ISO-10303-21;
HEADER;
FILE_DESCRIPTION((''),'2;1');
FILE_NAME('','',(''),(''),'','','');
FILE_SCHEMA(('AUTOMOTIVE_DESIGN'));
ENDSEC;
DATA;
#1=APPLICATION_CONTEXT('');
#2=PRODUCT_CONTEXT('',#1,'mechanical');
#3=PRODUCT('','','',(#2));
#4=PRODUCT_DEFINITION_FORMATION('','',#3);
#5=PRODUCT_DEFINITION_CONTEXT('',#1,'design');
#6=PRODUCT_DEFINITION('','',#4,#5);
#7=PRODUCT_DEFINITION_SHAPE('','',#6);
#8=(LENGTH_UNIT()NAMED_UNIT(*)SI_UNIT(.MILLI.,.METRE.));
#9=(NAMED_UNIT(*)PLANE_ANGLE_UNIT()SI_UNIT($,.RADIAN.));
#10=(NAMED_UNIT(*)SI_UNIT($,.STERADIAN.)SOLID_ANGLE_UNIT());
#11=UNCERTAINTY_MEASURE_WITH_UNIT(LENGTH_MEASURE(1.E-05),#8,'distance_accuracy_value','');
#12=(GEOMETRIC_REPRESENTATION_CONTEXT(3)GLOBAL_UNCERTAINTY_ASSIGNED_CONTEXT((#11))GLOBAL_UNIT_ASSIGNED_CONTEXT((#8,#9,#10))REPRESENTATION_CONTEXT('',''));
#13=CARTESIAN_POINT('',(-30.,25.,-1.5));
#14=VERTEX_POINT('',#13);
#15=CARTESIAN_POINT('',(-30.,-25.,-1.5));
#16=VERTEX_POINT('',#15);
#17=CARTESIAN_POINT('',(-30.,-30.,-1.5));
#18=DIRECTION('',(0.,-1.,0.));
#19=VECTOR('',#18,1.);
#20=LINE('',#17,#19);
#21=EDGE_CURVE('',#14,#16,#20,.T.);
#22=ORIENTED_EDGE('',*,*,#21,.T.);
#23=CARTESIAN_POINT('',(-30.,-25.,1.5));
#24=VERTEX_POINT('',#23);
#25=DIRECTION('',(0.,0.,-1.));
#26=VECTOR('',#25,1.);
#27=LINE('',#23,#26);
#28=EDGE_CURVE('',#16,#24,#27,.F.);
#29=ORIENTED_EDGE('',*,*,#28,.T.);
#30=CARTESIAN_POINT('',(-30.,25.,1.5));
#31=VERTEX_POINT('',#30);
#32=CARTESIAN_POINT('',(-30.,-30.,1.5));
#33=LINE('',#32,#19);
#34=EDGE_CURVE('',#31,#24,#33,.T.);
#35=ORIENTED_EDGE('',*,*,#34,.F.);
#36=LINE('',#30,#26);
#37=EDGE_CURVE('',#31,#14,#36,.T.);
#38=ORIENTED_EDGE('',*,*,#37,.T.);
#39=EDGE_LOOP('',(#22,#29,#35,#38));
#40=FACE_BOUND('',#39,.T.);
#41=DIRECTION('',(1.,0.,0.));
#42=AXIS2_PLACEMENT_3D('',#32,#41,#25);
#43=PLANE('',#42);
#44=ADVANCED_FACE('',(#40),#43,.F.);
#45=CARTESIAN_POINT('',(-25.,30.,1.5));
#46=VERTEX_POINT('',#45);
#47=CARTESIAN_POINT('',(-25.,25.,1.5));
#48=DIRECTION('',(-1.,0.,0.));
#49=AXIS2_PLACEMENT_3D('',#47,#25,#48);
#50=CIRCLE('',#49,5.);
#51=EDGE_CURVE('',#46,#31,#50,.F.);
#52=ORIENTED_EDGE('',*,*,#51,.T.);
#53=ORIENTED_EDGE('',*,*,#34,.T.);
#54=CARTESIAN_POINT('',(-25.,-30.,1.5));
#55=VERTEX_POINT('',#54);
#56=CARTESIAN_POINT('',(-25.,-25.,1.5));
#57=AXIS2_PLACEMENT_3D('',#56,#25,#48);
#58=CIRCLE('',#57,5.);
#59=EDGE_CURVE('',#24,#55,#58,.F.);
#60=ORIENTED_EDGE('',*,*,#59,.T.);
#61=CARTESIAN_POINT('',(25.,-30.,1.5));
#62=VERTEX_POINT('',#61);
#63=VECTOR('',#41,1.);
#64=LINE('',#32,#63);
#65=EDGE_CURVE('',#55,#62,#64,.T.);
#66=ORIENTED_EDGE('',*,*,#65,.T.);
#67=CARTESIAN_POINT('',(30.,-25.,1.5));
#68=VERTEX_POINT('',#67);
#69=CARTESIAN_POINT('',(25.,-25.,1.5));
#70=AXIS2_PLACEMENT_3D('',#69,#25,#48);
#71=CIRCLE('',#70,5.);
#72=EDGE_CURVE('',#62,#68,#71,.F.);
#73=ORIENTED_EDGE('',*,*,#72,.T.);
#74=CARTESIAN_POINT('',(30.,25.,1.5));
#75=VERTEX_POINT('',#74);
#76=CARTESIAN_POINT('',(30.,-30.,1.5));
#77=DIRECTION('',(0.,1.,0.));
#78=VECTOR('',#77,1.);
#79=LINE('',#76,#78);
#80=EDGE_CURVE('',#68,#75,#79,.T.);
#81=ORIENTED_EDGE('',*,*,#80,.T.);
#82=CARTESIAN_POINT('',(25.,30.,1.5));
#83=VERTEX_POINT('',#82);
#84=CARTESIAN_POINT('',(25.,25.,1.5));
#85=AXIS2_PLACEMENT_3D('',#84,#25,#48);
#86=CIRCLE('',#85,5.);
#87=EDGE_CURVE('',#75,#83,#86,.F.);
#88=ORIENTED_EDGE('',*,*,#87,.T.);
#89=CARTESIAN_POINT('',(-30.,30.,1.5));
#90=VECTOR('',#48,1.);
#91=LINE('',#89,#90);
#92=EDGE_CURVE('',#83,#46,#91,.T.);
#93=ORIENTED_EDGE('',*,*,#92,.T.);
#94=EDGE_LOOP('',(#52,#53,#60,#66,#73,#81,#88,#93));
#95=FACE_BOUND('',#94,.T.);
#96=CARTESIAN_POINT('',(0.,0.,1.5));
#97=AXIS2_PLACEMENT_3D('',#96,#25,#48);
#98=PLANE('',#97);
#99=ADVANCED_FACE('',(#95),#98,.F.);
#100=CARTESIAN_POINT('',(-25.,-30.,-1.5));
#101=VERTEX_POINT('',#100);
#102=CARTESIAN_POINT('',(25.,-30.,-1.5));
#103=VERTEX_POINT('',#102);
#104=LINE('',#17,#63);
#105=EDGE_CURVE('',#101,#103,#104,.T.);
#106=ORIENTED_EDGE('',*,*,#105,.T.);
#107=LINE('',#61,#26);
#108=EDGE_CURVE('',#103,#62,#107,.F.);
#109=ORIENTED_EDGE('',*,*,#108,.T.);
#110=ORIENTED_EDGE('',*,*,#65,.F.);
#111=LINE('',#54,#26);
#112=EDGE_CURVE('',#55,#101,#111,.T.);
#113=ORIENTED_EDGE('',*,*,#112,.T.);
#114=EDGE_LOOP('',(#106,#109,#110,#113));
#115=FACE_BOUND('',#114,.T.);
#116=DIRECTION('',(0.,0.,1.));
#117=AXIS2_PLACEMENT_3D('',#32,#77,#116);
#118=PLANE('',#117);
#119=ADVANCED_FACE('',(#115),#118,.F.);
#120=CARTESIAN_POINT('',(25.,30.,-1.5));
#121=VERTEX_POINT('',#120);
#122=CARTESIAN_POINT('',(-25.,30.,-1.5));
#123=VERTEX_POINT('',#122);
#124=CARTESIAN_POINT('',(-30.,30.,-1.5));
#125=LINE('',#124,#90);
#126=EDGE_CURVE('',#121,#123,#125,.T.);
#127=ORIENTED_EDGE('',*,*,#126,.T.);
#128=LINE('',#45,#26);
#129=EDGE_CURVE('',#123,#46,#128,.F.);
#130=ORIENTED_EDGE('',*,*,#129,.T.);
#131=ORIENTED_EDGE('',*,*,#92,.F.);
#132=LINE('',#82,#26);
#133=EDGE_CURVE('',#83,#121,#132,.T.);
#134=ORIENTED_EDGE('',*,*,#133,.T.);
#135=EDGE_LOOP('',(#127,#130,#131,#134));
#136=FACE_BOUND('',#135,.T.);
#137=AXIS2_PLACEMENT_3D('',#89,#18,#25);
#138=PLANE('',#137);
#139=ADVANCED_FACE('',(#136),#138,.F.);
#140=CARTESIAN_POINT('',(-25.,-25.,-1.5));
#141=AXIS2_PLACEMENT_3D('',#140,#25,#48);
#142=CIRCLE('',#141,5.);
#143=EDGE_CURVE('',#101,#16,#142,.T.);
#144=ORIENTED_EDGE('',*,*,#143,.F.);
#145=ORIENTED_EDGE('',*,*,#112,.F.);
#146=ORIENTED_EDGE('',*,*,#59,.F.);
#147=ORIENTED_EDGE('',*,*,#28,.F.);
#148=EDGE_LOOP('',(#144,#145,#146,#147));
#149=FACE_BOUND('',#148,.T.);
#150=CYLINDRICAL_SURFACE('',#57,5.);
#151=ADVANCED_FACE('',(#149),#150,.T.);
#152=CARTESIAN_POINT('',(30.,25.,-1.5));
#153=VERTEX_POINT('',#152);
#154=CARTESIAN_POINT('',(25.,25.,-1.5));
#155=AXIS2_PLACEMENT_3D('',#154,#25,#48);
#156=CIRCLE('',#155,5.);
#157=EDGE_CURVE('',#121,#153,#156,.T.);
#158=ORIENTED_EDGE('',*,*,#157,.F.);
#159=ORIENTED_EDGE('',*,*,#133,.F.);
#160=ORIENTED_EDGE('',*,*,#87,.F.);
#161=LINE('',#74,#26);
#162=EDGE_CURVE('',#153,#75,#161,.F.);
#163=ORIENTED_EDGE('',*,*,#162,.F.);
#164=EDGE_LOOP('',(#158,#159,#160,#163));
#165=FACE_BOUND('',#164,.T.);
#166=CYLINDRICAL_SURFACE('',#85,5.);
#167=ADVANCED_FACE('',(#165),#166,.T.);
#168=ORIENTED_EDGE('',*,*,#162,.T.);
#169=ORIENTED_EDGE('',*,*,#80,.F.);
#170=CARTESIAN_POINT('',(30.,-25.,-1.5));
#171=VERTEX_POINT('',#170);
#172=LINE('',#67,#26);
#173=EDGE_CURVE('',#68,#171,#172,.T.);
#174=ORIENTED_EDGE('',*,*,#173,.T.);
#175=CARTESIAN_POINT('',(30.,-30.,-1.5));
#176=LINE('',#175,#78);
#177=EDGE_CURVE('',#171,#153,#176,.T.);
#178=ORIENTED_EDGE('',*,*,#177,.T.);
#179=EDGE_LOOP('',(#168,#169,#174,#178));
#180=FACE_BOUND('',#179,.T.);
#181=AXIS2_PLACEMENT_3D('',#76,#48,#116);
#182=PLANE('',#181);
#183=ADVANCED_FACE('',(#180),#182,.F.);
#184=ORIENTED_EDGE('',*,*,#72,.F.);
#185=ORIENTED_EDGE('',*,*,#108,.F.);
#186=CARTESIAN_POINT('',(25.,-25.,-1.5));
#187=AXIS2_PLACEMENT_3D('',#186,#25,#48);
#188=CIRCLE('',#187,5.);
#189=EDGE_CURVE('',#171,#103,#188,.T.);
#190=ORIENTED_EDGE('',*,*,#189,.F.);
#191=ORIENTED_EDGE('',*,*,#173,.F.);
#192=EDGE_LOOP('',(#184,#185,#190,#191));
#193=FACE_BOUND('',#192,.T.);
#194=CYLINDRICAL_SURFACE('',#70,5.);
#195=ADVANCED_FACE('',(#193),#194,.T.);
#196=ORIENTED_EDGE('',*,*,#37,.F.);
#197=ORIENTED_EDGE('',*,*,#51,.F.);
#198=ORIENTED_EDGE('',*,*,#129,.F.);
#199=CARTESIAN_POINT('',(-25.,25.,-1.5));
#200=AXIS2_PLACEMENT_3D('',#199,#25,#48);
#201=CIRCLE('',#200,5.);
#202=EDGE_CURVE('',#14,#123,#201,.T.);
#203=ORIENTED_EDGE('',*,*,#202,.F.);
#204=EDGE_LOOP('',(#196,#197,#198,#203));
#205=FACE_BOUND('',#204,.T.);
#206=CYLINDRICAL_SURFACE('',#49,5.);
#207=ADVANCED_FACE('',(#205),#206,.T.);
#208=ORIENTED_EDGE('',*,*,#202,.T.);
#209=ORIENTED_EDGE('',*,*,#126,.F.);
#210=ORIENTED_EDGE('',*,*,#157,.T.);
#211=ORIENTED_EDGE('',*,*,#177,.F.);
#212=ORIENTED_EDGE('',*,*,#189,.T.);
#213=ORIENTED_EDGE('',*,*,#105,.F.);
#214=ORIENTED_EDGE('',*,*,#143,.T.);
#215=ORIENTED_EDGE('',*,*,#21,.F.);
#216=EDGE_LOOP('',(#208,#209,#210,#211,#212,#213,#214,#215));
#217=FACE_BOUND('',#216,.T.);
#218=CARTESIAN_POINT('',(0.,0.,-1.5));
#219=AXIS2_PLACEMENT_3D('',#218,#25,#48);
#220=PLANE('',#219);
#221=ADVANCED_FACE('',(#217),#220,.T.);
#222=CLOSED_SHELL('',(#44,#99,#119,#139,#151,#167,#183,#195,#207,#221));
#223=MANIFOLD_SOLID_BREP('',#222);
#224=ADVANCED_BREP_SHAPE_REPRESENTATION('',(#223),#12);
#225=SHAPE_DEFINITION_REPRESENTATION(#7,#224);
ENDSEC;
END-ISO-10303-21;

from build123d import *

# Parameters (mm, degrees)
SKETCH_2_W      = 60
SKETCH_2_H      = 60
EXTRUDE_1_DEPTH = 1.5
FILLET_1_R      = 5


with BuildPart() as part:
    # Эскиз2 → Бобышка-Вытянуть1 (new, symmetric)
    with BuildSketch(Plane.XY):
        Rectangle(SKETCH_2_W, SKETCH_2_H)
    extrude(amount=EXTRUDE_1_DEPTH, both=True)

    # Скругление1
    fillet_1_edges = [part.edges().sort_by_distance(p)[0] for p in [
        (30, -30, 0),
        (-30, -30, 0),
        (-30, 30, 0),
        (30, 30, 0),
    ]]
    fillet(fillet_1_edges, radius=FILLET_1_R)


solid = part.part
